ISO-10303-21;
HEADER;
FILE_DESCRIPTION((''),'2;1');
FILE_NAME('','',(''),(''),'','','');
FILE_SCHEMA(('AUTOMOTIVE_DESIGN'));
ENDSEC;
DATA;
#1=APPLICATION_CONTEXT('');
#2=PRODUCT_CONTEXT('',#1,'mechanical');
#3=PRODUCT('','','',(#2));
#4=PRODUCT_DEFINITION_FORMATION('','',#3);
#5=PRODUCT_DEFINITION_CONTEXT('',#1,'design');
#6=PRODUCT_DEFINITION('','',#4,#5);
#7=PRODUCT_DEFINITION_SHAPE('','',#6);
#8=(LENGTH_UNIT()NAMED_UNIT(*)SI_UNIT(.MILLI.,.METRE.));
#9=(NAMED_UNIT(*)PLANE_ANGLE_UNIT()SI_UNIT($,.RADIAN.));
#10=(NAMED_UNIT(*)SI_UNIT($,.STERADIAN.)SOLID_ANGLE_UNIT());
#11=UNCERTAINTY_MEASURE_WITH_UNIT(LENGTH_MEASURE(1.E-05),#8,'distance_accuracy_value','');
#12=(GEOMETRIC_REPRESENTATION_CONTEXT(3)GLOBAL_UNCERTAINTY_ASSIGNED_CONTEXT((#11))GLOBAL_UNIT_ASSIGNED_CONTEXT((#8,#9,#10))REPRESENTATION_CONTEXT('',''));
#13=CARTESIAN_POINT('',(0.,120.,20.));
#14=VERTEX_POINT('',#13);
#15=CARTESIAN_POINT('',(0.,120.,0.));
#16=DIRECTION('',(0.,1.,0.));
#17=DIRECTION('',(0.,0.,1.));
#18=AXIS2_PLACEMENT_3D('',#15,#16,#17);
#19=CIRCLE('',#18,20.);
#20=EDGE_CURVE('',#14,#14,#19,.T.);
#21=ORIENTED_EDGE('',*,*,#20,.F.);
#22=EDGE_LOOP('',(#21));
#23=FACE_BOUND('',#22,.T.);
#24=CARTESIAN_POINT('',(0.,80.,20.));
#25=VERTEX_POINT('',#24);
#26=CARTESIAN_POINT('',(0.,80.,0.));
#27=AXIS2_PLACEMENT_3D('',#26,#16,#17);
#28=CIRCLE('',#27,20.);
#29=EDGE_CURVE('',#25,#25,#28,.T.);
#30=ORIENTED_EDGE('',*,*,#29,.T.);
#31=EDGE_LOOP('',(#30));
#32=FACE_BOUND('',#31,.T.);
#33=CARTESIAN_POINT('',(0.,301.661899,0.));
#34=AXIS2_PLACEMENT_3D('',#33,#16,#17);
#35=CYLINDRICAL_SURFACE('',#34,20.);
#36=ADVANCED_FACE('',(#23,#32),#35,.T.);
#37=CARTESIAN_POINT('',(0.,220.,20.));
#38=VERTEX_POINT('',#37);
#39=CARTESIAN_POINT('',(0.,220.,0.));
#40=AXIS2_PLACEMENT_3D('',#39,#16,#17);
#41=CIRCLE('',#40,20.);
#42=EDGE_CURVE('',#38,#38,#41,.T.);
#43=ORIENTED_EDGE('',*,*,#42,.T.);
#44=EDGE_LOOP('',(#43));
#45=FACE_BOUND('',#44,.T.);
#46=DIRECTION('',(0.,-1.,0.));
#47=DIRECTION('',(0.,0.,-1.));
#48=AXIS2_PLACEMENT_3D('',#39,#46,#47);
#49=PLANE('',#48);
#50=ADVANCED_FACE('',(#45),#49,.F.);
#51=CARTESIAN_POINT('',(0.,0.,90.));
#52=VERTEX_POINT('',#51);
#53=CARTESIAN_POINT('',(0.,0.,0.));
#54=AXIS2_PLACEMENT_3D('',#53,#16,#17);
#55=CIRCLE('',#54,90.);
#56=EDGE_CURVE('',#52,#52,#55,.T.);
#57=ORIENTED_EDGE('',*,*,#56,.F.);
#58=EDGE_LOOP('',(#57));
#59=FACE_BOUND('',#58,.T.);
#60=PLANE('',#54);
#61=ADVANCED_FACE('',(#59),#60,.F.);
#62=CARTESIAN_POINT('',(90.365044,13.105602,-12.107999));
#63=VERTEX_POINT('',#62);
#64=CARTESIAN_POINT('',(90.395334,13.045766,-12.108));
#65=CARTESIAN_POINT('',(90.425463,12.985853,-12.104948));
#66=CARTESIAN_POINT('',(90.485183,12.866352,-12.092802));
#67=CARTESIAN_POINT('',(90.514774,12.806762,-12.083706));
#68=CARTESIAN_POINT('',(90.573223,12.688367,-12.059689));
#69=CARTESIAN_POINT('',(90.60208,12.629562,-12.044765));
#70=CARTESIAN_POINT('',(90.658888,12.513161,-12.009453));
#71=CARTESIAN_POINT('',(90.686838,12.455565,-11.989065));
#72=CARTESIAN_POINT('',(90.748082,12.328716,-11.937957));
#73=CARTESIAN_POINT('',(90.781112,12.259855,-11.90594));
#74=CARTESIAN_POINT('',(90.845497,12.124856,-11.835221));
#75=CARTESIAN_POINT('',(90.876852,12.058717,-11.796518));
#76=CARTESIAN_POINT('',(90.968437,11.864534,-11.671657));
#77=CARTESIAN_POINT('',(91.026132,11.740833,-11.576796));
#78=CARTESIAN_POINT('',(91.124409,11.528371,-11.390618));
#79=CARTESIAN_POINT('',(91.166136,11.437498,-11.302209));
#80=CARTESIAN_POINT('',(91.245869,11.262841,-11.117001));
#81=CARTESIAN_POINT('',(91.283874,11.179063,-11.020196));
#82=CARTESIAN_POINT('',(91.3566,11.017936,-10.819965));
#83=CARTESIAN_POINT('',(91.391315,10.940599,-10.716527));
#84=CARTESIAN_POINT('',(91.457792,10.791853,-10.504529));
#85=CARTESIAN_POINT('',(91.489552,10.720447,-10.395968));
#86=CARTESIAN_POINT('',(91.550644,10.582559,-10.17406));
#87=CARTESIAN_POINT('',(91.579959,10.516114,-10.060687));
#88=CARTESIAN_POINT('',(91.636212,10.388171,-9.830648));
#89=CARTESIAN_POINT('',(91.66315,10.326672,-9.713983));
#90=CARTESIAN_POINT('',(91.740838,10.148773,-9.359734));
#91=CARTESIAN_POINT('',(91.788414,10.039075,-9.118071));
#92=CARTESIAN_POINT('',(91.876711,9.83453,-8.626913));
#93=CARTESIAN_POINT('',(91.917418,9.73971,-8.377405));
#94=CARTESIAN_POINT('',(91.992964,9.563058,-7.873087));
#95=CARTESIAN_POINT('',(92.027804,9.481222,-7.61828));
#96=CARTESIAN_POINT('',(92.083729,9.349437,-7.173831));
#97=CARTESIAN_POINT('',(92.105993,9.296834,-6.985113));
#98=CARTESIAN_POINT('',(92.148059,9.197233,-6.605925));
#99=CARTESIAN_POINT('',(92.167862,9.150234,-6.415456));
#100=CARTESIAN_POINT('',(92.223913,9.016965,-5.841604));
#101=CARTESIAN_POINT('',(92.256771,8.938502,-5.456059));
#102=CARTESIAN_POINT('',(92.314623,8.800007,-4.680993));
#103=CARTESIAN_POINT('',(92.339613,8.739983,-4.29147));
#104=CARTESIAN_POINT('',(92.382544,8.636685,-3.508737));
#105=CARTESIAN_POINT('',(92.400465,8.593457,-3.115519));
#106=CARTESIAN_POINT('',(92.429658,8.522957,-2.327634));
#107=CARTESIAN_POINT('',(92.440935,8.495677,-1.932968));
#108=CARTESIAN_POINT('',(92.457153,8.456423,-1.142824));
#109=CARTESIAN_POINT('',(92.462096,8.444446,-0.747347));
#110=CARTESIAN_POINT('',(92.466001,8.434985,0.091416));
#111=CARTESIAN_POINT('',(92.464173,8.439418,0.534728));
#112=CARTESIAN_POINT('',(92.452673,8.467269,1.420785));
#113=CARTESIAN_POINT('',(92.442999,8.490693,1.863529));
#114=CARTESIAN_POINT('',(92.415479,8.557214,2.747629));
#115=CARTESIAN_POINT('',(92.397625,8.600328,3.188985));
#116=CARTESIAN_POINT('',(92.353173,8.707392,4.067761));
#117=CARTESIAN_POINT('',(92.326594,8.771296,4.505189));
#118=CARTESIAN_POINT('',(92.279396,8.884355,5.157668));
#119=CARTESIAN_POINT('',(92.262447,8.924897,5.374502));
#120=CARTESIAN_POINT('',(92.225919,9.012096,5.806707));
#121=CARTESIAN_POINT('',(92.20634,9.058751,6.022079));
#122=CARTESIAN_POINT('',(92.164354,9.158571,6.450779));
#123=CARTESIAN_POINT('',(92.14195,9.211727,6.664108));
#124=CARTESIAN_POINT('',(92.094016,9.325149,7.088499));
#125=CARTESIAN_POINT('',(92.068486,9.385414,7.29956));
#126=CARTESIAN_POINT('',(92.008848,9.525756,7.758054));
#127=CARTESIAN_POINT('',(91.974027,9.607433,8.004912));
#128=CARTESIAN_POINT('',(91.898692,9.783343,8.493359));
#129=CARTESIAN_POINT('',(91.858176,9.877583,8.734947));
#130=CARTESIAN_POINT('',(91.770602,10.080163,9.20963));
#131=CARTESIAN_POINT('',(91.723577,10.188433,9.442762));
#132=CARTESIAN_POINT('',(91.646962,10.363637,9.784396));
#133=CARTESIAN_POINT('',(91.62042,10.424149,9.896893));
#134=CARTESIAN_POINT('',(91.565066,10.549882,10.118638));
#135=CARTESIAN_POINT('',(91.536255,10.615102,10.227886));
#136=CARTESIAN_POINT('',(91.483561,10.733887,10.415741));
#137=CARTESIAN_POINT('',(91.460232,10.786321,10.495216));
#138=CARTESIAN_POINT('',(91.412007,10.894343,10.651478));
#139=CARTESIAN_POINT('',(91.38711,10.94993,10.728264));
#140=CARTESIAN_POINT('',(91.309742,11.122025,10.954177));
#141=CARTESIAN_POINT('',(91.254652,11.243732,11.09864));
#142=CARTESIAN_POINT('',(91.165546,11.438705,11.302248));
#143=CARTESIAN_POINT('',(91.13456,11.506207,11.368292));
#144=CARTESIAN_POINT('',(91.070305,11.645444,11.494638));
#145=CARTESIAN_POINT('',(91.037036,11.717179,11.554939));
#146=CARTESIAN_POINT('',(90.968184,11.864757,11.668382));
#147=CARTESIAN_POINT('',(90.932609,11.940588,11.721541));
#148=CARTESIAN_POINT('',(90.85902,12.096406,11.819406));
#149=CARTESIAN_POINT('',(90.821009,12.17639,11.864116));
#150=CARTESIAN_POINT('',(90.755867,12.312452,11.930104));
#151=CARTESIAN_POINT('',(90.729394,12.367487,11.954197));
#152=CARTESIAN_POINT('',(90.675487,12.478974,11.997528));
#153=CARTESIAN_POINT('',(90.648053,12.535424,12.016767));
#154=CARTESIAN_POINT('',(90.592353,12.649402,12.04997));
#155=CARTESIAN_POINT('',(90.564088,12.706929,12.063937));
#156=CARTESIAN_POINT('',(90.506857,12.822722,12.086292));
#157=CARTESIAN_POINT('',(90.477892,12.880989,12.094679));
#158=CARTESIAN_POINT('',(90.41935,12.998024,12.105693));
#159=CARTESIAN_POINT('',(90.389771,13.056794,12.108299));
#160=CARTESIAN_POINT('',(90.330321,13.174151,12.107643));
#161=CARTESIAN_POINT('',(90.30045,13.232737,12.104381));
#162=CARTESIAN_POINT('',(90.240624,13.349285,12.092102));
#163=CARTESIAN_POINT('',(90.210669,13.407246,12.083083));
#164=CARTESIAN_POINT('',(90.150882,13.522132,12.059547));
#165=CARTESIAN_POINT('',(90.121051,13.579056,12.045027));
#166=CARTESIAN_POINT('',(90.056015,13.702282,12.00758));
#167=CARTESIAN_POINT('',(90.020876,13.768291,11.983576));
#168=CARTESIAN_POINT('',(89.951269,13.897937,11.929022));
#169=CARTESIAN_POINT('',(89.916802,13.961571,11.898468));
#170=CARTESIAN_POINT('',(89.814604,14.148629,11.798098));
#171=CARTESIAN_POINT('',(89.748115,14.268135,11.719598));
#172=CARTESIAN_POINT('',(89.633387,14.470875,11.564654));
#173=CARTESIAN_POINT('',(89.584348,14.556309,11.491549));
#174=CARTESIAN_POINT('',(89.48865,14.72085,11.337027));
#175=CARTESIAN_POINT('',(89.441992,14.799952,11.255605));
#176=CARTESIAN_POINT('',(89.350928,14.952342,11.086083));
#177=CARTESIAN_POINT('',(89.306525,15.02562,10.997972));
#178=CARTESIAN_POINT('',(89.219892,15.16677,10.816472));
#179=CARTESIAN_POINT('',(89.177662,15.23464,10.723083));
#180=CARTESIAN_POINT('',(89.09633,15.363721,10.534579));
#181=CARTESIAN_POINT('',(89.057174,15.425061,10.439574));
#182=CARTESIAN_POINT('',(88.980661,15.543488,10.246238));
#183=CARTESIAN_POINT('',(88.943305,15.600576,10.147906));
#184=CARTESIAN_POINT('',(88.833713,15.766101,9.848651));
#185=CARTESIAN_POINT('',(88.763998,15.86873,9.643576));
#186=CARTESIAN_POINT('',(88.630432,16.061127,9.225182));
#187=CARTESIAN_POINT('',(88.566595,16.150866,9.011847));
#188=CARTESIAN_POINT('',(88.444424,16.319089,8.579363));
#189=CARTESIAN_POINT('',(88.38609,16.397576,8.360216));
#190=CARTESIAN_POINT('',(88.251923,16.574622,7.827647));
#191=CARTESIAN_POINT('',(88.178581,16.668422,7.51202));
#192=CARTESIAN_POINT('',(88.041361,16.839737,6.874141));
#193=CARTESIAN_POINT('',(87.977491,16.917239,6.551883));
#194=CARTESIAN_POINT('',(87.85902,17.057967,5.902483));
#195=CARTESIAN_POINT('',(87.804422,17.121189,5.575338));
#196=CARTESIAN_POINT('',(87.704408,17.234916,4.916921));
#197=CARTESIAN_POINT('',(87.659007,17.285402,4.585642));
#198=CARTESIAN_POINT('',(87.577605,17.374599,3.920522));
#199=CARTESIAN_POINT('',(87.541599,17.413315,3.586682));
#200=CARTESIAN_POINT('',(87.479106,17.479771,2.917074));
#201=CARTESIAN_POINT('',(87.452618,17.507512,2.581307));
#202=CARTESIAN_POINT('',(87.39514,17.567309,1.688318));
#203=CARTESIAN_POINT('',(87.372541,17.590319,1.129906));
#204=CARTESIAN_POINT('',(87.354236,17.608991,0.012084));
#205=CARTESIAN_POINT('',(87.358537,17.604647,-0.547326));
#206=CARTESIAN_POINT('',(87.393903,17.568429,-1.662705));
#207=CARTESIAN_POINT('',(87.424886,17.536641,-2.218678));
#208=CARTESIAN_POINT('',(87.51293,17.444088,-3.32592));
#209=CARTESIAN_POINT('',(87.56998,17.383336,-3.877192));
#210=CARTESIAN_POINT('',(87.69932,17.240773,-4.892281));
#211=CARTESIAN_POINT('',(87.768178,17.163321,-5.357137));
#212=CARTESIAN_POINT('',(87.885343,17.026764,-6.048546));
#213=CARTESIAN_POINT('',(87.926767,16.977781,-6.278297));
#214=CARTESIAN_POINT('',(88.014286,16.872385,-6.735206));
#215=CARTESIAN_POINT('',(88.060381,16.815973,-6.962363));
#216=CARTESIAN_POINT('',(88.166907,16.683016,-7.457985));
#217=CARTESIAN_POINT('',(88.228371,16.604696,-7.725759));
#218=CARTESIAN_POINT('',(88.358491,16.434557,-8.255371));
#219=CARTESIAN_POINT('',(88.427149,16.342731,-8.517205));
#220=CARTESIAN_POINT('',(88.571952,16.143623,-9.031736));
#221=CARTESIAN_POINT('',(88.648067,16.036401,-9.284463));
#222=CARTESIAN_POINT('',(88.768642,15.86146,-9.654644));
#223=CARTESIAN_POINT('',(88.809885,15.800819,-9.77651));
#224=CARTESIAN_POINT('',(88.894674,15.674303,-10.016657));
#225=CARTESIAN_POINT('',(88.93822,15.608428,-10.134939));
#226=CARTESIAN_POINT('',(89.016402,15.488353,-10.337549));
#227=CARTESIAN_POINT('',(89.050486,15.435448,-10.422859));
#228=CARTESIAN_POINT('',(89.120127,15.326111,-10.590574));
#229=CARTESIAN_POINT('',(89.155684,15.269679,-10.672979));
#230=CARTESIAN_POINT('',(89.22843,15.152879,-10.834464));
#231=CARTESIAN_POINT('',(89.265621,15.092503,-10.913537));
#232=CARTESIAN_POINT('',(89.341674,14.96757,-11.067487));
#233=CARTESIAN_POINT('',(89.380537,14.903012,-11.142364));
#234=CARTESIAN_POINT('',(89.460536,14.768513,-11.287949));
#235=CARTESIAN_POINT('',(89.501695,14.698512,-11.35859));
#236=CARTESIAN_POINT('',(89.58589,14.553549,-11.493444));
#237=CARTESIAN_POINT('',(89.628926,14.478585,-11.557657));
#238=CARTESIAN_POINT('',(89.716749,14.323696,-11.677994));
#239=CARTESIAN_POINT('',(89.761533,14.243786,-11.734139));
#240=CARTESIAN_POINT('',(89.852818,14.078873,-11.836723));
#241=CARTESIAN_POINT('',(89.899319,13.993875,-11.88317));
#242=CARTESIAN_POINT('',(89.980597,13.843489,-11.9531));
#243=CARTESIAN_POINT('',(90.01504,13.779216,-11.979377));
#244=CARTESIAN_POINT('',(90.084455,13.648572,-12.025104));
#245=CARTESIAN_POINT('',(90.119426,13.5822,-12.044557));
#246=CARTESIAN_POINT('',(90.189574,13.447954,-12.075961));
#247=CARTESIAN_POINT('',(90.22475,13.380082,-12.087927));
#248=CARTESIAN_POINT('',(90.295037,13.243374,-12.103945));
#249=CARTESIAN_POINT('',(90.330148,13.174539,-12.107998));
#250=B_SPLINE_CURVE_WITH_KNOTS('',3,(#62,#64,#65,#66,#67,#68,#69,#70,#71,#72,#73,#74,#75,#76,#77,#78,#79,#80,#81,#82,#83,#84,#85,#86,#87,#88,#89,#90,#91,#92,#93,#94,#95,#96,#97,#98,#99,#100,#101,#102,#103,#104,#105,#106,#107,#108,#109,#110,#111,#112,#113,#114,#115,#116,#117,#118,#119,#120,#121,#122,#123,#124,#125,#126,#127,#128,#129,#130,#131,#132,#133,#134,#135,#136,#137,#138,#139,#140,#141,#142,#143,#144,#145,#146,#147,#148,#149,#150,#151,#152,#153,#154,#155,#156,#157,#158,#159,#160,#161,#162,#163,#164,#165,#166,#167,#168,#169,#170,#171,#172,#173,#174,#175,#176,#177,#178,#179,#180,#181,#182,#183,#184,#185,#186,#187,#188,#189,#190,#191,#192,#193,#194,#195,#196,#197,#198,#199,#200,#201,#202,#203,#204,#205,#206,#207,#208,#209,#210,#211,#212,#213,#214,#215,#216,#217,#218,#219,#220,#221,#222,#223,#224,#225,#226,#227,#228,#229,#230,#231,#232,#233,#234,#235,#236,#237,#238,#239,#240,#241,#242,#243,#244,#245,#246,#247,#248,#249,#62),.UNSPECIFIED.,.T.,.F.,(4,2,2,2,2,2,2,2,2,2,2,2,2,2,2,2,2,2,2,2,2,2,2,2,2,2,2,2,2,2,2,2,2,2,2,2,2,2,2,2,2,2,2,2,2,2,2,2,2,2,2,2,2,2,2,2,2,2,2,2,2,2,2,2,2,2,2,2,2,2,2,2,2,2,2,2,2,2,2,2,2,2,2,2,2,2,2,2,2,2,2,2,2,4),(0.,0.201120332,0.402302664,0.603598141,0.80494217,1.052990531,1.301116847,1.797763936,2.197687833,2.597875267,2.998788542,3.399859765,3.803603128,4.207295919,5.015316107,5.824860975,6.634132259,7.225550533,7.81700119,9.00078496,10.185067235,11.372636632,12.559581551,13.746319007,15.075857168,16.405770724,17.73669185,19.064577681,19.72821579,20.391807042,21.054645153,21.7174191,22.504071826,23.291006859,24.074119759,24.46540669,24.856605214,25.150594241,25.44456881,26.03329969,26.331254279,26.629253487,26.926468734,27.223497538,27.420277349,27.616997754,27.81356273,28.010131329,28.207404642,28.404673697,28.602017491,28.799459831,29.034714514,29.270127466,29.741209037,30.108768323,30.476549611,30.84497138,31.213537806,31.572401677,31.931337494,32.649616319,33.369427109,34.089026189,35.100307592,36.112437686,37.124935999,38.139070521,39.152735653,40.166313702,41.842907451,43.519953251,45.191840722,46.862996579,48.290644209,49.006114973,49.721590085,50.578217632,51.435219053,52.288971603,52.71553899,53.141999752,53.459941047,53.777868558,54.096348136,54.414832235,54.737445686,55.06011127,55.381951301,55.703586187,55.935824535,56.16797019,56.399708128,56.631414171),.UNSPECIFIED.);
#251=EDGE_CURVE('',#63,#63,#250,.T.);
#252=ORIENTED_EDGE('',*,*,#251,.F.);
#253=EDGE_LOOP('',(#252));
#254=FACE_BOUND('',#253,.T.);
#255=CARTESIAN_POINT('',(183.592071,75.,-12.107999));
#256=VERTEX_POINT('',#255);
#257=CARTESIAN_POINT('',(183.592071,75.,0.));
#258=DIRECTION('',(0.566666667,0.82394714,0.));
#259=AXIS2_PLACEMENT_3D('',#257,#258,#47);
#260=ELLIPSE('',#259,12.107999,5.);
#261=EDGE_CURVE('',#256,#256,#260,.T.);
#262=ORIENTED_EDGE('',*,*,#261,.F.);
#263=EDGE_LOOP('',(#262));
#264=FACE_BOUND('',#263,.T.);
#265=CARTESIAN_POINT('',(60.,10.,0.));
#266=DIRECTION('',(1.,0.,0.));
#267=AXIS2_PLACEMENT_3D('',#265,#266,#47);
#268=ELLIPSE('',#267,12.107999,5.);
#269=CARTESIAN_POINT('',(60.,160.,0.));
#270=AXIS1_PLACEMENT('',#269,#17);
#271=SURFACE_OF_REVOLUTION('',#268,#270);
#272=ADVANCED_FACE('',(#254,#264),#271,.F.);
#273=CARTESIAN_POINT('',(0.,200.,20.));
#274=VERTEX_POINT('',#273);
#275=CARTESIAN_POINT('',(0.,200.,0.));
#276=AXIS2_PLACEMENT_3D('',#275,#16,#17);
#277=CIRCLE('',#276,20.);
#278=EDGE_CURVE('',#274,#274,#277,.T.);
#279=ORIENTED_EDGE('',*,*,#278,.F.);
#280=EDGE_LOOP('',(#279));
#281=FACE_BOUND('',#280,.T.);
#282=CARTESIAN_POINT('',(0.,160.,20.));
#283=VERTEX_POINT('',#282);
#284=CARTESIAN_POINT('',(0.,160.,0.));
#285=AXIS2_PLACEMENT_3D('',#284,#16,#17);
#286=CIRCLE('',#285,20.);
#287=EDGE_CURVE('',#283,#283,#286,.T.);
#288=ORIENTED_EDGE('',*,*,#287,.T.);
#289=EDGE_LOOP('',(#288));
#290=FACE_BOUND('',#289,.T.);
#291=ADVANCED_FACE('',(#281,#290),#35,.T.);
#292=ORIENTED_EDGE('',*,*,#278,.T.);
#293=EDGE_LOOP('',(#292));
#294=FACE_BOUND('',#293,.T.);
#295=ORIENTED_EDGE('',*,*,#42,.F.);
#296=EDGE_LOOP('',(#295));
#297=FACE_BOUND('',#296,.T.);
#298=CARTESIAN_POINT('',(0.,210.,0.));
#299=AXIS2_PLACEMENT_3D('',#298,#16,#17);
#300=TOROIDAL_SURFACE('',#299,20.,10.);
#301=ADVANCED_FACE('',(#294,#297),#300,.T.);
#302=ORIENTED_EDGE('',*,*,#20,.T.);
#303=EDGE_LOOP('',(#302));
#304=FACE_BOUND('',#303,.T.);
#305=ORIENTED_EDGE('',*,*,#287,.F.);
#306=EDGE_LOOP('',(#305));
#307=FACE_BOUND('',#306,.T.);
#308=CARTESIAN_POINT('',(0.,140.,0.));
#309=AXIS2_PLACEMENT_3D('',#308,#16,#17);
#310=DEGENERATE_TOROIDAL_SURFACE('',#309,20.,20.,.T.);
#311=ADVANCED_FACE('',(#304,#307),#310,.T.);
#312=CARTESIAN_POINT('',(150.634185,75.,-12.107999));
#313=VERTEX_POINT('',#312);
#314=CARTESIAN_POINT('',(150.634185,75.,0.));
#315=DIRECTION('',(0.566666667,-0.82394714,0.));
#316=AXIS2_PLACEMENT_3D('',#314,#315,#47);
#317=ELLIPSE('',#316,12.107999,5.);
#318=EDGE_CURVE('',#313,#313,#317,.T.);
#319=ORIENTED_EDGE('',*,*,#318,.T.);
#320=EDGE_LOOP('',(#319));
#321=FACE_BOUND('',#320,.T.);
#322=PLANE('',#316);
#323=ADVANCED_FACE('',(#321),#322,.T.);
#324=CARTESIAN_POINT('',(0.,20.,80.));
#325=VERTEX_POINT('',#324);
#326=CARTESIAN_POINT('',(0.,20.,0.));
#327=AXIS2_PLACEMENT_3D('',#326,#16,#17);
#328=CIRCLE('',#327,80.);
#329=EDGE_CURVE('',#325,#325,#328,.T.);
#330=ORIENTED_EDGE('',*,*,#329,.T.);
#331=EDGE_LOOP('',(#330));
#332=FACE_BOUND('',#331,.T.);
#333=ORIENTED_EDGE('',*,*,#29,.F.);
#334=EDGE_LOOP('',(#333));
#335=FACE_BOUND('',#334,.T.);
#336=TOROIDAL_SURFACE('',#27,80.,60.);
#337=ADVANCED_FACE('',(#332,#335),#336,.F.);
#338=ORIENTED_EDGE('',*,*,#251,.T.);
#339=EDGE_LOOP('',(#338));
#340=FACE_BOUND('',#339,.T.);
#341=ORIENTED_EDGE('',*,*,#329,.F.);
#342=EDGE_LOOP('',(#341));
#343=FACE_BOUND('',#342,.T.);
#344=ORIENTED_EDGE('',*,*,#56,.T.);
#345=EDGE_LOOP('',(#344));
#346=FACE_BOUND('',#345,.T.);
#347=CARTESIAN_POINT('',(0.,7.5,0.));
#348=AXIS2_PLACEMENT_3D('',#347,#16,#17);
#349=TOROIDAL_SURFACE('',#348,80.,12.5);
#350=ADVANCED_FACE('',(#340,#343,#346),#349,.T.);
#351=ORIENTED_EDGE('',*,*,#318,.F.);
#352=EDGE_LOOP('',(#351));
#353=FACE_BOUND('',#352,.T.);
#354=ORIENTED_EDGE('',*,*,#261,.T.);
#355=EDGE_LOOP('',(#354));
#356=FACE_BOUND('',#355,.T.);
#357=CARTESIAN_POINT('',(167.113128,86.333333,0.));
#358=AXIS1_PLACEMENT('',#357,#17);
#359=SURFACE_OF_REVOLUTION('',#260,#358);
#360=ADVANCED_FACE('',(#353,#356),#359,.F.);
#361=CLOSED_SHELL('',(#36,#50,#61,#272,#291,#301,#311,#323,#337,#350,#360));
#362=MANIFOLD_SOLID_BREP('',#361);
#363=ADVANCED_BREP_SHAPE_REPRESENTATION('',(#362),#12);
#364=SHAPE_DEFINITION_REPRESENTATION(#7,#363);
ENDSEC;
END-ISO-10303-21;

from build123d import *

# Parameters (mm, degrees)
SKETCH3_RX = 12.10799865
SKETCH3_RY = 5


with BuildPart() as part:
    # Sketch1 → Revolve1 (revolve)
    with BuildSketch(Plane.XY):
        with BuildLine():
            Line((0, 0), (0, 220))
            Line((0, 220), (20, 220))
            ThreePointArc((20, 220), (30, 210), (20, 200))
            Line((20, 200), (20, 160))
            ThreePointArc((20, 160), (40, 140), (20, 120))
            Line((20, 120), (20, 80))
            ThreePointArc((20, 80), (37.573593129, 37.573593129), (80, 20))
            ThreePointArc((80, 20), (91.180339887, 13.090169944), (90, 0))
            Line((90, 0), (0, 0))
        make_face()
    revolve(axis=Axis((0, 301.661898631, 0), (0, -1, 0)))

    # Sweep1: sweep along a path in Sketch2
    with BuildLine(Plane.XY) as sweep1_path:
        Line((0, 10), (60, 10))
        ThreePointArc((60, 10), (129.821200219, 27.240819526), (183.592070943, 75))
        ThreePointArc((183.592070943, 75), (167.113128151, 106.333333333), (150.634185358, 75))
    # Sketch3 → Sweep1 (sweep)
    with BuildSketch(Plane(origin=(0, 0, 0), x_dir=(0, 0, -1), z_dir=(1, 0, 0))):
        with Locations((0, 10)):
            Ellipse(SKETCH3_RX, SKETCH3_RY)
    sweep(path=sweep1_path.line)


solid = part.part
